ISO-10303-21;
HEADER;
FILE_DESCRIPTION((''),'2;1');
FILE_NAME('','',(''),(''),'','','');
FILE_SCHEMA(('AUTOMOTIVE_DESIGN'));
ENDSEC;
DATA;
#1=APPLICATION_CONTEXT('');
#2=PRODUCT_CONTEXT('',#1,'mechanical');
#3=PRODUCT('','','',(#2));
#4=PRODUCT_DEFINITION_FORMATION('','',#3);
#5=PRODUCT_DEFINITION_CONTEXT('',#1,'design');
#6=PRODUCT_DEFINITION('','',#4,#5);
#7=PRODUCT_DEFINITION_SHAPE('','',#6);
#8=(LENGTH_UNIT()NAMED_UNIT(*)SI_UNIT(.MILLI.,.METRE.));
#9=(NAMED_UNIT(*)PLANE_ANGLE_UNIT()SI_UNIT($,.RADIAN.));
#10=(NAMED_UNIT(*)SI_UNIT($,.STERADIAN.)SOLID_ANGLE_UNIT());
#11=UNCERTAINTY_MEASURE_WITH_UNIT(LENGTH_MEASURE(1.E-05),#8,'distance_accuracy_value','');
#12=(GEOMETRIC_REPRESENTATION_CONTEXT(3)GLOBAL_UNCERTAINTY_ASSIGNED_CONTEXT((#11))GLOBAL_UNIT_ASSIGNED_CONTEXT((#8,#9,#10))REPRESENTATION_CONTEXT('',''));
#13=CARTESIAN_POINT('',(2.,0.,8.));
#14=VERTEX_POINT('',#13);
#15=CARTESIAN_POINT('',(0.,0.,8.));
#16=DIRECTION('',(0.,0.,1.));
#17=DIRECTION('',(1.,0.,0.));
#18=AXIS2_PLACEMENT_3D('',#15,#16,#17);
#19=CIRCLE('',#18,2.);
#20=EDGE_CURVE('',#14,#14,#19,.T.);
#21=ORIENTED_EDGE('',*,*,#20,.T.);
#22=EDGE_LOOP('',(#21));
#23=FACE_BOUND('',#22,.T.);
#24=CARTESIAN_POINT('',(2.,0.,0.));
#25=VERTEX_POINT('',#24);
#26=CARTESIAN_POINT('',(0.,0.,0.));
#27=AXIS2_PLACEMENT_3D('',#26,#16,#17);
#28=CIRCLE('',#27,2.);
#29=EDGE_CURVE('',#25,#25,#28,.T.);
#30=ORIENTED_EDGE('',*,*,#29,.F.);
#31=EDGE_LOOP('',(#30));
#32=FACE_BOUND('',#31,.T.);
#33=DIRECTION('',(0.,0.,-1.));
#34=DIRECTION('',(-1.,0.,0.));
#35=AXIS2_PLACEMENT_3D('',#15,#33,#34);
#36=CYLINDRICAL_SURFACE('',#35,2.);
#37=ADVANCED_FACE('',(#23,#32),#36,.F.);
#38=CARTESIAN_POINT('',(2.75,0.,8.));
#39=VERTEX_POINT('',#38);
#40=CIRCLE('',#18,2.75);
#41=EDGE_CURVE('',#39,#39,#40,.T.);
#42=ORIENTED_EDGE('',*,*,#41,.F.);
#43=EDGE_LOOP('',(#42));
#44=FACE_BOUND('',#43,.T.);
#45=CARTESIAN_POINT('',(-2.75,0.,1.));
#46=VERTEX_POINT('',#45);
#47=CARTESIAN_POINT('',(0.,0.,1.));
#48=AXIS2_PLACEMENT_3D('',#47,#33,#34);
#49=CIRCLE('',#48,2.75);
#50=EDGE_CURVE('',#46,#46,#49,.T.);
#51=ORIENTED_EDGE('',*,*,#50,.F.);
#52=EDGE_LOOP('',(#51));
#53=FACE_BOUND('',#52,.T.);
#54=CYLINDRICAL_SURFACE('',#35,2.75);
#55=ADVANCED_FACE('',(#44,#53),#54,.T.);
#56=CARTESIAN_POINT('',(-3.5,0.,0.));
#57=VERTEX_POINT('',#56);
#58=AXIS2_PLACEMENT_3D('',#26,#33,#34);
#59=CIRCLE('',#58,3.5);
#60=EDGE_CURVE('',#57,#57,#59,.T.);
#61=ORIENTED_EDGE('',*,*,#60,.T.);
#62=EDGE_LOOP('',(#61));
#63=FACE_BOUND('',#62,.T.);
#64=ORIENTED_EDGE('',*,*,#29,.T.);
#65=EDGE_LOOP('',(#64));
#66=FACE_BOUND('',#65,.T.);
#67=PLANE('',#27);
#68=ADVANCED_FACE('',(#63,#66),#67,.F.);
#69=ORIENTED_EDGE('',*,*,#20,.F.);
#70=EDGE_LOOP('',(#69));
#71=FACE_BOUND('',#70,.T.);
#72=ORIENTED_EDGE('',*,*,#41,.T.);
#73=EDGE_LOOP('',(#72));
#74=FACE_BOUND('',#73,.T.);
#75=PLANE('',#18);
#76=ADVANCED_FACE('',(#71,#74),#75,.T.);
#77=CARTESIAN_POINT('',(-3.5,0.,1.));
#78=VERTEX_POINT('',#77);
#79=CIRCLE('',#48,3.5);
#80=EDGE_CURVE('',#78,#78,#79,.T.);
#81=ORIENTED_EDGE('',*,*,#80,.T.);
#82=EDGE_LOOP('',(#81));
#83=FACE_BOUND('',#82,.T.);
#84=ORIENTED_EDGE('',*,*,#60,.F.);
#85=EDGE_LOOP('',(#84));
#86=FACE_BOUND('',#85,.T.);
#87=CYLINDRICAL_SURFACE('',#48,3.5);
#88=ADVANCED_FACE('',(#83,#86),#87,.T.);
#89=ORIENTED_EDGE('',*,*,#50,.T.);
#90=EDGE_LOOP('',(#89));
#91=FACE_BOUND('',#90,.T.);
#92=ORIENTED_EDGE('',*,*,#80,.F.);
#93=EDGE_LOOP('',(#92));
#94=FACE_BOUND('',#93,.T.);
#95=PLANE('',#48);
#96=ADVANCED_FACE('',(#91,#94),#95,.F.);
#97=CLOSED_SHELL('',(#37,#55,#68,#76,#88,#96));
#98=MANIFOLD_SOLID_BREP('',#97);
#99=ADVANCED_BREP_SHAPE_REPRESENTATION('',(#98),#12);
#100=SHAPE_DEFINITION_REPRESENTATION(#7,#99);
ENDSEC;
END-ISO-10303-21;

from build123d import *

# Parameters (mm, degrees)
ESQUISSE1_R        = 2.75
ESQUISSE1_R_2      = 2
BOSS_EXTRU_1_DEPTH = 8
ESQUISSE2_R        = 3.5
ESQUISSE2_R_2      = 2.75
BOSS_EXTRU_2_DEPTH = 1


with BuildPart() as part:
    # Esquisse1 → Boss.-Extru.1 (new body)
    with BuildSketch(Plane.XY):
        Circle(ESQUISSE1_R)
        Circle(ESQUISSE1_R_2, mode=Mode.SUBTRACT)
    extrude(amount=BOSS_EXTRU_1_DEPTH)

    # Esquisse2 → Boss.-Extru.2 (add)
    with BuildSketch(Plane(origin=(0, 0, 0), x_dir=(-1, 0, 0), z_dir=(0, 0, -1))):
        Circle(ESQUISSE2_R)
        Circle(ESQUISSE2_R_2, mode=Mode.SUBTRACT)
    extrude(amount=-BOSS_EXTRU_2_DEPTH)


solid = part.part
